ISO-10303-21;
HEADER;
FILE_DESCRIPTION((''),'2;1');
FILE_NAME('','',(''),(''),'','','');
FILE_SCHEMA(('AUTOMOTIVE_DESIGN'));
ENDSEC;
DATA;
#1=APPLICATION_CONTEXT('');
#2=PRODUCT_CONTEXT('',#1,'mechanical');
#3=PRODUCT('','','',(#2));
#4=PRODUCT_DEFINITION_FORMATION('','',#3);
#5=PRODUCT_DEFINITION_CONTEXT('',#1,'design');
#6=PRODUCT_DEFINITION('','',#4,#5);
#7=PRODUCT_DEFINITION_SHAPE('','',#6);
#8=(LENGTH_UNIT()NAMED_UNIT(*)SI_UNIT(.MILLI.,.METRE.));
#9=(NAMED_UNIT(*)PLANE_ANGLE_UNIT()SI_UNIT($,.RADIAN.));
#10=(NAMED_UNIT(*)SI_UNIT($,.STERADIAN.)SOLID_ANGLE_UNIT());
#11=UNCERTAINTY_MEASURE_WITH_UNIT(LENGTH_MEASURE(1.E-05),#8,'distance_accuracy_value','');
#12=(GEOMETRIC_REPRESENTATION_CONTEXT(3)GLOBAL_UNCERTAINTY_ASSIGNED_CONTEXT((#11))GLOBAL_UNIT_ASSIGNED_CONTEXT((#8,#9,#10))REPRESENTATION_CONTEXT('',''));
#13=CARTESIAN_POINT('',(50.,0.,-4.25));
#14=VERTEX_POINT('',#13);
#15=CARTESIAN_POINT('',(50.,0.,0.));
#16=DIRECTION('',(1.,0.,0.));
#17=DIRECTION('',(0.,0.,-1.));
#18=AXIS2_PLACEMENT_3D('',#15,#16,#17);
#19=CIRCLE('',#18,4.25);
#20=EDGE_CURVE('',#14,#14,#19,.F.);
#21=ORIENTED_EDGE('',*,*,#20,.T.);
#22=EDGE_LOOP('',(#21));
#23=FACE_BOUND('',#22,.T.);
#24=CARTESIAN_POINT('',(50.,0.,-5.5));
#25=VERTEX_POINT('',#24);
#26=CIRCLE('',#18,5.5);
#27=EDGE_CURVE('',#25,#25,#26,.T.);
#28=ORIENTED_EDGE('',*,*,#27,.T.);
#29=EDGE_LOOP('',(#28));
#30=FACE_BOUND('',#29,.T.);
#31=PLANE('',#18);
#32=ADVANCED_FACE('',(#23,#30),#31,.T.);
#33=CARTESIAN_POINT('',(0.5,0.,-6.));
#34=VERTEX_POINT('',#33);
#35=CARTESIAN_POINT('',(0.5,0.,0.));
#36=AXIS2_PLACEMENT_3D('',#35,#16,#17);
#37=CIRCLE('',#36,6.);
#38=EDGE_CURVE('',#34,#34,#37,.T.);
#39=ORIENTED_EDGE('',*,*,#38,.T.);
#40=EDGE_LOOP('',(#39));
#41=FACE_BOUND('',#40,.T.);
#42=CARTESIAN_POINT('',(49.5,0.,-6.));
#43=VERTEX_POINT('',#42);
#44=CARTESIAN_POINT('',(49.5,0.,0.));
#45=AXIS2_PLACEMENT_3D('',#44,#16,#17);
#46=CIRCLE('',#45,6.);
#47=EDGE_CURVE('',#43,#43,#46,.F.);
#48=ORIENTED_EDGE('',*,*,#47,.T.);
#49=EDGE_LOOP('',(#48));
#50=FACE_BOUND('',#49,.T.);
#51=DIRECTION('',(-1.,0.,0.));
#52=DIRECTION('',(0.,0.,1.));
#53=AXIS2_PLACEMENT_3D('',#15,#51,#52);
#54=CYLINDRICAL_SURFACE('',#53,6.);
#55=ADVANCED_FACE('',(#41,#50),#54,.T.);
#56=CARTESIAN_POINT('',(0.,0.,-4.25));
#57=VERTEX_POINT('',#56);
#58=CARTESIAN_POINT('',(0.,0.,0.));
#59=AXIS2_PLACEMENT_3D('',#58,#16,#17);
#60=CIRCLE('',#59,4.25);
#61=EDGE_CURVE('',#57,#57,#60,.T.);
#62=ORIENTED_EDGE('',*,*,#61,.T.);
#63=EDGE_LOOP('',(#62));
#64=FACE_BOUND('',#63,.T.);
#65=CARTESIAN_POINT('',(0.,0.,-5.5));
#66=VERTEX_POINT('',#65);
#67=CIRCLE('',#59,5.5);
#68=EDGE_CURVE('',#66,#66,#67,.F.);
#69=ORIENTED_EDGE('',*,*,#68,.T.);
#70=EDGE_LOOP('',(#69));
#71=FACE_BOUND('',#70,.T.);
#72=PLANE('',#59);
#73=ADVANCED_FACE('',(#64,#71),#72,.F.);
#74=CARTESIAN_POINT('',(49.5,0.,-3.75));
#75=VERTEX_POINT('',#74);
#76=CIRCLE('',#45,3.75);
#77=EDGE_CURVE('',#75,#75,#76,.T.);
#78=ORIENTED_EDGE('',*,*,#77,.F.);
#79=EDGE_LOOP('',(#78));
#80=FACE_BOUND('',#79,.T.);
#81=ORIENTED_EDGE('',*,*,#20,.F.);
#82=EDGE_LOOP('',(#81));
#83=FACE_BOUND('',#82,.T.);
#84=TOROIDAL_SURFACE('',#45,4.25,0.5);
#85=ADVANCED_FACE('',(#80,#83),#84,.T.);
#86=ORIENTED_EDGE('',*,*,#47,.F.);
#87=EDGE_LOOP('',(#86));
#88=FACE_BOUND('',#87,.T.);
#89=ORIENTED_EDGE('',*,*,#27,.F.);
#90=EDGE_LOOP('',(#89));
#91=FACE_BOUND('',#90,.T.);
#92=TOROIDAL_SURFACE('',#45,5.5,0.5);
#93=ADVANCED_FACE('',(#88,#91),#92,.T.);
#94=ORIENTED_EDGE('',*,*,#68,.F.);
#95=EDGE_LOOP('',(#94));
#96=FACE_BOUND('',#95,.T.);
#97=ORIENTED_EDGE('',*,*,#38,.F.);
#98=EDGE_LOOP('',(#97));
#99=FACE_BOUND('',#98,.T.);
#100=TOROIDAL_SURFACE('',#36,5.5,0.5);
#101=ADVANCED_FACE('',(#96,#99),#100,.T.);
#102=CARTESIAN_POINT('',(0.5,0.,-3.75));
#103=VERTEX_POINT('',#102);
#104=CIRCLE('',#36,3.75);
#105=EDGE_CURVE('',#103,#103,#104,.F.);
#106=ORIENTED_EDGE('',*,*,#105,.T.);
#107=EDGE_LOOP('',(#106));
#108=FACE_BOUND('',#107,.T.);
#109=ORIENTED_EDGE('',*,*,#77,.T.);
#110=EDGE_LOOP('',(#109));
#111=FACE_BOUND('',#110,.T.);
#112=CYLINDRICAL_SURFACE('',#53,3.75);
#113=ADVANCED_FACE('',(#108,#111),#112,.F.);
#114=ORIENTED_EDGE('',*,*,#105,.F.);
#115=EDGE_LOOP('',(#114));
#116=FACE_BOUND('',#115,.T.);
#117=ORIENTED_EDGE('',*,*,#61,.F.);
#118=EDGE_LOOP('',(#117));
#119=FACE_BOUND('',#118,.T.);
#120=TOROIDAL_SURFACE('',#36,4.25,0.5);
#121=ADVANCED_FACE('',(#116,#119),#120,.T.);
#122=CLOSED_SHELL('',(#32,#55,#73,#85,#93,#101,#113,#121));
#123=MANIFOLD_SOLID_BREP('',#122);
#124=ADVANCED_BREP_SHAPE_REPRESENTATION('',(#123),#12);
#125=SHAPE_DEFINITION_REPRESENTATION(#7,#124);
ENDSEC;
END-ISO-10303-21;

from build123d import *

# Parameters (mm, degrees)
SKETCH1_R           = 6
SKETCH1_R_2         = 3.75
BOSS_EXTRUDE1_DEPTH = 50
FILLET1_R           = 0.5


with BuildPart() as part:
    # Sketch1 → Boss-Extrude1 (new body)
    with BuildSketch(Plane(origin=(0, 0, 0), x_dir=(0, 0, -1), z_dir=(1, 0, 0))):
        Circle(SKETCH1_R)
        Circle(SKETCH1_R_2, mode=Mode.SUBTRACT)
    extrude(amount=BOSS_EXTRUDE1_DEPTH)

    # Fillet1
    fillet1_edges = [part.edges().sort_by_distance(p)[0] for p in [
        (0, 0, 6),
        (50, 0, 6),
        (0, 0, 3.75),
        (50, 0, 3.75),
    ]]
    fillet(fillet1_edges, radius=FILLET1_R)


solid = part.part
